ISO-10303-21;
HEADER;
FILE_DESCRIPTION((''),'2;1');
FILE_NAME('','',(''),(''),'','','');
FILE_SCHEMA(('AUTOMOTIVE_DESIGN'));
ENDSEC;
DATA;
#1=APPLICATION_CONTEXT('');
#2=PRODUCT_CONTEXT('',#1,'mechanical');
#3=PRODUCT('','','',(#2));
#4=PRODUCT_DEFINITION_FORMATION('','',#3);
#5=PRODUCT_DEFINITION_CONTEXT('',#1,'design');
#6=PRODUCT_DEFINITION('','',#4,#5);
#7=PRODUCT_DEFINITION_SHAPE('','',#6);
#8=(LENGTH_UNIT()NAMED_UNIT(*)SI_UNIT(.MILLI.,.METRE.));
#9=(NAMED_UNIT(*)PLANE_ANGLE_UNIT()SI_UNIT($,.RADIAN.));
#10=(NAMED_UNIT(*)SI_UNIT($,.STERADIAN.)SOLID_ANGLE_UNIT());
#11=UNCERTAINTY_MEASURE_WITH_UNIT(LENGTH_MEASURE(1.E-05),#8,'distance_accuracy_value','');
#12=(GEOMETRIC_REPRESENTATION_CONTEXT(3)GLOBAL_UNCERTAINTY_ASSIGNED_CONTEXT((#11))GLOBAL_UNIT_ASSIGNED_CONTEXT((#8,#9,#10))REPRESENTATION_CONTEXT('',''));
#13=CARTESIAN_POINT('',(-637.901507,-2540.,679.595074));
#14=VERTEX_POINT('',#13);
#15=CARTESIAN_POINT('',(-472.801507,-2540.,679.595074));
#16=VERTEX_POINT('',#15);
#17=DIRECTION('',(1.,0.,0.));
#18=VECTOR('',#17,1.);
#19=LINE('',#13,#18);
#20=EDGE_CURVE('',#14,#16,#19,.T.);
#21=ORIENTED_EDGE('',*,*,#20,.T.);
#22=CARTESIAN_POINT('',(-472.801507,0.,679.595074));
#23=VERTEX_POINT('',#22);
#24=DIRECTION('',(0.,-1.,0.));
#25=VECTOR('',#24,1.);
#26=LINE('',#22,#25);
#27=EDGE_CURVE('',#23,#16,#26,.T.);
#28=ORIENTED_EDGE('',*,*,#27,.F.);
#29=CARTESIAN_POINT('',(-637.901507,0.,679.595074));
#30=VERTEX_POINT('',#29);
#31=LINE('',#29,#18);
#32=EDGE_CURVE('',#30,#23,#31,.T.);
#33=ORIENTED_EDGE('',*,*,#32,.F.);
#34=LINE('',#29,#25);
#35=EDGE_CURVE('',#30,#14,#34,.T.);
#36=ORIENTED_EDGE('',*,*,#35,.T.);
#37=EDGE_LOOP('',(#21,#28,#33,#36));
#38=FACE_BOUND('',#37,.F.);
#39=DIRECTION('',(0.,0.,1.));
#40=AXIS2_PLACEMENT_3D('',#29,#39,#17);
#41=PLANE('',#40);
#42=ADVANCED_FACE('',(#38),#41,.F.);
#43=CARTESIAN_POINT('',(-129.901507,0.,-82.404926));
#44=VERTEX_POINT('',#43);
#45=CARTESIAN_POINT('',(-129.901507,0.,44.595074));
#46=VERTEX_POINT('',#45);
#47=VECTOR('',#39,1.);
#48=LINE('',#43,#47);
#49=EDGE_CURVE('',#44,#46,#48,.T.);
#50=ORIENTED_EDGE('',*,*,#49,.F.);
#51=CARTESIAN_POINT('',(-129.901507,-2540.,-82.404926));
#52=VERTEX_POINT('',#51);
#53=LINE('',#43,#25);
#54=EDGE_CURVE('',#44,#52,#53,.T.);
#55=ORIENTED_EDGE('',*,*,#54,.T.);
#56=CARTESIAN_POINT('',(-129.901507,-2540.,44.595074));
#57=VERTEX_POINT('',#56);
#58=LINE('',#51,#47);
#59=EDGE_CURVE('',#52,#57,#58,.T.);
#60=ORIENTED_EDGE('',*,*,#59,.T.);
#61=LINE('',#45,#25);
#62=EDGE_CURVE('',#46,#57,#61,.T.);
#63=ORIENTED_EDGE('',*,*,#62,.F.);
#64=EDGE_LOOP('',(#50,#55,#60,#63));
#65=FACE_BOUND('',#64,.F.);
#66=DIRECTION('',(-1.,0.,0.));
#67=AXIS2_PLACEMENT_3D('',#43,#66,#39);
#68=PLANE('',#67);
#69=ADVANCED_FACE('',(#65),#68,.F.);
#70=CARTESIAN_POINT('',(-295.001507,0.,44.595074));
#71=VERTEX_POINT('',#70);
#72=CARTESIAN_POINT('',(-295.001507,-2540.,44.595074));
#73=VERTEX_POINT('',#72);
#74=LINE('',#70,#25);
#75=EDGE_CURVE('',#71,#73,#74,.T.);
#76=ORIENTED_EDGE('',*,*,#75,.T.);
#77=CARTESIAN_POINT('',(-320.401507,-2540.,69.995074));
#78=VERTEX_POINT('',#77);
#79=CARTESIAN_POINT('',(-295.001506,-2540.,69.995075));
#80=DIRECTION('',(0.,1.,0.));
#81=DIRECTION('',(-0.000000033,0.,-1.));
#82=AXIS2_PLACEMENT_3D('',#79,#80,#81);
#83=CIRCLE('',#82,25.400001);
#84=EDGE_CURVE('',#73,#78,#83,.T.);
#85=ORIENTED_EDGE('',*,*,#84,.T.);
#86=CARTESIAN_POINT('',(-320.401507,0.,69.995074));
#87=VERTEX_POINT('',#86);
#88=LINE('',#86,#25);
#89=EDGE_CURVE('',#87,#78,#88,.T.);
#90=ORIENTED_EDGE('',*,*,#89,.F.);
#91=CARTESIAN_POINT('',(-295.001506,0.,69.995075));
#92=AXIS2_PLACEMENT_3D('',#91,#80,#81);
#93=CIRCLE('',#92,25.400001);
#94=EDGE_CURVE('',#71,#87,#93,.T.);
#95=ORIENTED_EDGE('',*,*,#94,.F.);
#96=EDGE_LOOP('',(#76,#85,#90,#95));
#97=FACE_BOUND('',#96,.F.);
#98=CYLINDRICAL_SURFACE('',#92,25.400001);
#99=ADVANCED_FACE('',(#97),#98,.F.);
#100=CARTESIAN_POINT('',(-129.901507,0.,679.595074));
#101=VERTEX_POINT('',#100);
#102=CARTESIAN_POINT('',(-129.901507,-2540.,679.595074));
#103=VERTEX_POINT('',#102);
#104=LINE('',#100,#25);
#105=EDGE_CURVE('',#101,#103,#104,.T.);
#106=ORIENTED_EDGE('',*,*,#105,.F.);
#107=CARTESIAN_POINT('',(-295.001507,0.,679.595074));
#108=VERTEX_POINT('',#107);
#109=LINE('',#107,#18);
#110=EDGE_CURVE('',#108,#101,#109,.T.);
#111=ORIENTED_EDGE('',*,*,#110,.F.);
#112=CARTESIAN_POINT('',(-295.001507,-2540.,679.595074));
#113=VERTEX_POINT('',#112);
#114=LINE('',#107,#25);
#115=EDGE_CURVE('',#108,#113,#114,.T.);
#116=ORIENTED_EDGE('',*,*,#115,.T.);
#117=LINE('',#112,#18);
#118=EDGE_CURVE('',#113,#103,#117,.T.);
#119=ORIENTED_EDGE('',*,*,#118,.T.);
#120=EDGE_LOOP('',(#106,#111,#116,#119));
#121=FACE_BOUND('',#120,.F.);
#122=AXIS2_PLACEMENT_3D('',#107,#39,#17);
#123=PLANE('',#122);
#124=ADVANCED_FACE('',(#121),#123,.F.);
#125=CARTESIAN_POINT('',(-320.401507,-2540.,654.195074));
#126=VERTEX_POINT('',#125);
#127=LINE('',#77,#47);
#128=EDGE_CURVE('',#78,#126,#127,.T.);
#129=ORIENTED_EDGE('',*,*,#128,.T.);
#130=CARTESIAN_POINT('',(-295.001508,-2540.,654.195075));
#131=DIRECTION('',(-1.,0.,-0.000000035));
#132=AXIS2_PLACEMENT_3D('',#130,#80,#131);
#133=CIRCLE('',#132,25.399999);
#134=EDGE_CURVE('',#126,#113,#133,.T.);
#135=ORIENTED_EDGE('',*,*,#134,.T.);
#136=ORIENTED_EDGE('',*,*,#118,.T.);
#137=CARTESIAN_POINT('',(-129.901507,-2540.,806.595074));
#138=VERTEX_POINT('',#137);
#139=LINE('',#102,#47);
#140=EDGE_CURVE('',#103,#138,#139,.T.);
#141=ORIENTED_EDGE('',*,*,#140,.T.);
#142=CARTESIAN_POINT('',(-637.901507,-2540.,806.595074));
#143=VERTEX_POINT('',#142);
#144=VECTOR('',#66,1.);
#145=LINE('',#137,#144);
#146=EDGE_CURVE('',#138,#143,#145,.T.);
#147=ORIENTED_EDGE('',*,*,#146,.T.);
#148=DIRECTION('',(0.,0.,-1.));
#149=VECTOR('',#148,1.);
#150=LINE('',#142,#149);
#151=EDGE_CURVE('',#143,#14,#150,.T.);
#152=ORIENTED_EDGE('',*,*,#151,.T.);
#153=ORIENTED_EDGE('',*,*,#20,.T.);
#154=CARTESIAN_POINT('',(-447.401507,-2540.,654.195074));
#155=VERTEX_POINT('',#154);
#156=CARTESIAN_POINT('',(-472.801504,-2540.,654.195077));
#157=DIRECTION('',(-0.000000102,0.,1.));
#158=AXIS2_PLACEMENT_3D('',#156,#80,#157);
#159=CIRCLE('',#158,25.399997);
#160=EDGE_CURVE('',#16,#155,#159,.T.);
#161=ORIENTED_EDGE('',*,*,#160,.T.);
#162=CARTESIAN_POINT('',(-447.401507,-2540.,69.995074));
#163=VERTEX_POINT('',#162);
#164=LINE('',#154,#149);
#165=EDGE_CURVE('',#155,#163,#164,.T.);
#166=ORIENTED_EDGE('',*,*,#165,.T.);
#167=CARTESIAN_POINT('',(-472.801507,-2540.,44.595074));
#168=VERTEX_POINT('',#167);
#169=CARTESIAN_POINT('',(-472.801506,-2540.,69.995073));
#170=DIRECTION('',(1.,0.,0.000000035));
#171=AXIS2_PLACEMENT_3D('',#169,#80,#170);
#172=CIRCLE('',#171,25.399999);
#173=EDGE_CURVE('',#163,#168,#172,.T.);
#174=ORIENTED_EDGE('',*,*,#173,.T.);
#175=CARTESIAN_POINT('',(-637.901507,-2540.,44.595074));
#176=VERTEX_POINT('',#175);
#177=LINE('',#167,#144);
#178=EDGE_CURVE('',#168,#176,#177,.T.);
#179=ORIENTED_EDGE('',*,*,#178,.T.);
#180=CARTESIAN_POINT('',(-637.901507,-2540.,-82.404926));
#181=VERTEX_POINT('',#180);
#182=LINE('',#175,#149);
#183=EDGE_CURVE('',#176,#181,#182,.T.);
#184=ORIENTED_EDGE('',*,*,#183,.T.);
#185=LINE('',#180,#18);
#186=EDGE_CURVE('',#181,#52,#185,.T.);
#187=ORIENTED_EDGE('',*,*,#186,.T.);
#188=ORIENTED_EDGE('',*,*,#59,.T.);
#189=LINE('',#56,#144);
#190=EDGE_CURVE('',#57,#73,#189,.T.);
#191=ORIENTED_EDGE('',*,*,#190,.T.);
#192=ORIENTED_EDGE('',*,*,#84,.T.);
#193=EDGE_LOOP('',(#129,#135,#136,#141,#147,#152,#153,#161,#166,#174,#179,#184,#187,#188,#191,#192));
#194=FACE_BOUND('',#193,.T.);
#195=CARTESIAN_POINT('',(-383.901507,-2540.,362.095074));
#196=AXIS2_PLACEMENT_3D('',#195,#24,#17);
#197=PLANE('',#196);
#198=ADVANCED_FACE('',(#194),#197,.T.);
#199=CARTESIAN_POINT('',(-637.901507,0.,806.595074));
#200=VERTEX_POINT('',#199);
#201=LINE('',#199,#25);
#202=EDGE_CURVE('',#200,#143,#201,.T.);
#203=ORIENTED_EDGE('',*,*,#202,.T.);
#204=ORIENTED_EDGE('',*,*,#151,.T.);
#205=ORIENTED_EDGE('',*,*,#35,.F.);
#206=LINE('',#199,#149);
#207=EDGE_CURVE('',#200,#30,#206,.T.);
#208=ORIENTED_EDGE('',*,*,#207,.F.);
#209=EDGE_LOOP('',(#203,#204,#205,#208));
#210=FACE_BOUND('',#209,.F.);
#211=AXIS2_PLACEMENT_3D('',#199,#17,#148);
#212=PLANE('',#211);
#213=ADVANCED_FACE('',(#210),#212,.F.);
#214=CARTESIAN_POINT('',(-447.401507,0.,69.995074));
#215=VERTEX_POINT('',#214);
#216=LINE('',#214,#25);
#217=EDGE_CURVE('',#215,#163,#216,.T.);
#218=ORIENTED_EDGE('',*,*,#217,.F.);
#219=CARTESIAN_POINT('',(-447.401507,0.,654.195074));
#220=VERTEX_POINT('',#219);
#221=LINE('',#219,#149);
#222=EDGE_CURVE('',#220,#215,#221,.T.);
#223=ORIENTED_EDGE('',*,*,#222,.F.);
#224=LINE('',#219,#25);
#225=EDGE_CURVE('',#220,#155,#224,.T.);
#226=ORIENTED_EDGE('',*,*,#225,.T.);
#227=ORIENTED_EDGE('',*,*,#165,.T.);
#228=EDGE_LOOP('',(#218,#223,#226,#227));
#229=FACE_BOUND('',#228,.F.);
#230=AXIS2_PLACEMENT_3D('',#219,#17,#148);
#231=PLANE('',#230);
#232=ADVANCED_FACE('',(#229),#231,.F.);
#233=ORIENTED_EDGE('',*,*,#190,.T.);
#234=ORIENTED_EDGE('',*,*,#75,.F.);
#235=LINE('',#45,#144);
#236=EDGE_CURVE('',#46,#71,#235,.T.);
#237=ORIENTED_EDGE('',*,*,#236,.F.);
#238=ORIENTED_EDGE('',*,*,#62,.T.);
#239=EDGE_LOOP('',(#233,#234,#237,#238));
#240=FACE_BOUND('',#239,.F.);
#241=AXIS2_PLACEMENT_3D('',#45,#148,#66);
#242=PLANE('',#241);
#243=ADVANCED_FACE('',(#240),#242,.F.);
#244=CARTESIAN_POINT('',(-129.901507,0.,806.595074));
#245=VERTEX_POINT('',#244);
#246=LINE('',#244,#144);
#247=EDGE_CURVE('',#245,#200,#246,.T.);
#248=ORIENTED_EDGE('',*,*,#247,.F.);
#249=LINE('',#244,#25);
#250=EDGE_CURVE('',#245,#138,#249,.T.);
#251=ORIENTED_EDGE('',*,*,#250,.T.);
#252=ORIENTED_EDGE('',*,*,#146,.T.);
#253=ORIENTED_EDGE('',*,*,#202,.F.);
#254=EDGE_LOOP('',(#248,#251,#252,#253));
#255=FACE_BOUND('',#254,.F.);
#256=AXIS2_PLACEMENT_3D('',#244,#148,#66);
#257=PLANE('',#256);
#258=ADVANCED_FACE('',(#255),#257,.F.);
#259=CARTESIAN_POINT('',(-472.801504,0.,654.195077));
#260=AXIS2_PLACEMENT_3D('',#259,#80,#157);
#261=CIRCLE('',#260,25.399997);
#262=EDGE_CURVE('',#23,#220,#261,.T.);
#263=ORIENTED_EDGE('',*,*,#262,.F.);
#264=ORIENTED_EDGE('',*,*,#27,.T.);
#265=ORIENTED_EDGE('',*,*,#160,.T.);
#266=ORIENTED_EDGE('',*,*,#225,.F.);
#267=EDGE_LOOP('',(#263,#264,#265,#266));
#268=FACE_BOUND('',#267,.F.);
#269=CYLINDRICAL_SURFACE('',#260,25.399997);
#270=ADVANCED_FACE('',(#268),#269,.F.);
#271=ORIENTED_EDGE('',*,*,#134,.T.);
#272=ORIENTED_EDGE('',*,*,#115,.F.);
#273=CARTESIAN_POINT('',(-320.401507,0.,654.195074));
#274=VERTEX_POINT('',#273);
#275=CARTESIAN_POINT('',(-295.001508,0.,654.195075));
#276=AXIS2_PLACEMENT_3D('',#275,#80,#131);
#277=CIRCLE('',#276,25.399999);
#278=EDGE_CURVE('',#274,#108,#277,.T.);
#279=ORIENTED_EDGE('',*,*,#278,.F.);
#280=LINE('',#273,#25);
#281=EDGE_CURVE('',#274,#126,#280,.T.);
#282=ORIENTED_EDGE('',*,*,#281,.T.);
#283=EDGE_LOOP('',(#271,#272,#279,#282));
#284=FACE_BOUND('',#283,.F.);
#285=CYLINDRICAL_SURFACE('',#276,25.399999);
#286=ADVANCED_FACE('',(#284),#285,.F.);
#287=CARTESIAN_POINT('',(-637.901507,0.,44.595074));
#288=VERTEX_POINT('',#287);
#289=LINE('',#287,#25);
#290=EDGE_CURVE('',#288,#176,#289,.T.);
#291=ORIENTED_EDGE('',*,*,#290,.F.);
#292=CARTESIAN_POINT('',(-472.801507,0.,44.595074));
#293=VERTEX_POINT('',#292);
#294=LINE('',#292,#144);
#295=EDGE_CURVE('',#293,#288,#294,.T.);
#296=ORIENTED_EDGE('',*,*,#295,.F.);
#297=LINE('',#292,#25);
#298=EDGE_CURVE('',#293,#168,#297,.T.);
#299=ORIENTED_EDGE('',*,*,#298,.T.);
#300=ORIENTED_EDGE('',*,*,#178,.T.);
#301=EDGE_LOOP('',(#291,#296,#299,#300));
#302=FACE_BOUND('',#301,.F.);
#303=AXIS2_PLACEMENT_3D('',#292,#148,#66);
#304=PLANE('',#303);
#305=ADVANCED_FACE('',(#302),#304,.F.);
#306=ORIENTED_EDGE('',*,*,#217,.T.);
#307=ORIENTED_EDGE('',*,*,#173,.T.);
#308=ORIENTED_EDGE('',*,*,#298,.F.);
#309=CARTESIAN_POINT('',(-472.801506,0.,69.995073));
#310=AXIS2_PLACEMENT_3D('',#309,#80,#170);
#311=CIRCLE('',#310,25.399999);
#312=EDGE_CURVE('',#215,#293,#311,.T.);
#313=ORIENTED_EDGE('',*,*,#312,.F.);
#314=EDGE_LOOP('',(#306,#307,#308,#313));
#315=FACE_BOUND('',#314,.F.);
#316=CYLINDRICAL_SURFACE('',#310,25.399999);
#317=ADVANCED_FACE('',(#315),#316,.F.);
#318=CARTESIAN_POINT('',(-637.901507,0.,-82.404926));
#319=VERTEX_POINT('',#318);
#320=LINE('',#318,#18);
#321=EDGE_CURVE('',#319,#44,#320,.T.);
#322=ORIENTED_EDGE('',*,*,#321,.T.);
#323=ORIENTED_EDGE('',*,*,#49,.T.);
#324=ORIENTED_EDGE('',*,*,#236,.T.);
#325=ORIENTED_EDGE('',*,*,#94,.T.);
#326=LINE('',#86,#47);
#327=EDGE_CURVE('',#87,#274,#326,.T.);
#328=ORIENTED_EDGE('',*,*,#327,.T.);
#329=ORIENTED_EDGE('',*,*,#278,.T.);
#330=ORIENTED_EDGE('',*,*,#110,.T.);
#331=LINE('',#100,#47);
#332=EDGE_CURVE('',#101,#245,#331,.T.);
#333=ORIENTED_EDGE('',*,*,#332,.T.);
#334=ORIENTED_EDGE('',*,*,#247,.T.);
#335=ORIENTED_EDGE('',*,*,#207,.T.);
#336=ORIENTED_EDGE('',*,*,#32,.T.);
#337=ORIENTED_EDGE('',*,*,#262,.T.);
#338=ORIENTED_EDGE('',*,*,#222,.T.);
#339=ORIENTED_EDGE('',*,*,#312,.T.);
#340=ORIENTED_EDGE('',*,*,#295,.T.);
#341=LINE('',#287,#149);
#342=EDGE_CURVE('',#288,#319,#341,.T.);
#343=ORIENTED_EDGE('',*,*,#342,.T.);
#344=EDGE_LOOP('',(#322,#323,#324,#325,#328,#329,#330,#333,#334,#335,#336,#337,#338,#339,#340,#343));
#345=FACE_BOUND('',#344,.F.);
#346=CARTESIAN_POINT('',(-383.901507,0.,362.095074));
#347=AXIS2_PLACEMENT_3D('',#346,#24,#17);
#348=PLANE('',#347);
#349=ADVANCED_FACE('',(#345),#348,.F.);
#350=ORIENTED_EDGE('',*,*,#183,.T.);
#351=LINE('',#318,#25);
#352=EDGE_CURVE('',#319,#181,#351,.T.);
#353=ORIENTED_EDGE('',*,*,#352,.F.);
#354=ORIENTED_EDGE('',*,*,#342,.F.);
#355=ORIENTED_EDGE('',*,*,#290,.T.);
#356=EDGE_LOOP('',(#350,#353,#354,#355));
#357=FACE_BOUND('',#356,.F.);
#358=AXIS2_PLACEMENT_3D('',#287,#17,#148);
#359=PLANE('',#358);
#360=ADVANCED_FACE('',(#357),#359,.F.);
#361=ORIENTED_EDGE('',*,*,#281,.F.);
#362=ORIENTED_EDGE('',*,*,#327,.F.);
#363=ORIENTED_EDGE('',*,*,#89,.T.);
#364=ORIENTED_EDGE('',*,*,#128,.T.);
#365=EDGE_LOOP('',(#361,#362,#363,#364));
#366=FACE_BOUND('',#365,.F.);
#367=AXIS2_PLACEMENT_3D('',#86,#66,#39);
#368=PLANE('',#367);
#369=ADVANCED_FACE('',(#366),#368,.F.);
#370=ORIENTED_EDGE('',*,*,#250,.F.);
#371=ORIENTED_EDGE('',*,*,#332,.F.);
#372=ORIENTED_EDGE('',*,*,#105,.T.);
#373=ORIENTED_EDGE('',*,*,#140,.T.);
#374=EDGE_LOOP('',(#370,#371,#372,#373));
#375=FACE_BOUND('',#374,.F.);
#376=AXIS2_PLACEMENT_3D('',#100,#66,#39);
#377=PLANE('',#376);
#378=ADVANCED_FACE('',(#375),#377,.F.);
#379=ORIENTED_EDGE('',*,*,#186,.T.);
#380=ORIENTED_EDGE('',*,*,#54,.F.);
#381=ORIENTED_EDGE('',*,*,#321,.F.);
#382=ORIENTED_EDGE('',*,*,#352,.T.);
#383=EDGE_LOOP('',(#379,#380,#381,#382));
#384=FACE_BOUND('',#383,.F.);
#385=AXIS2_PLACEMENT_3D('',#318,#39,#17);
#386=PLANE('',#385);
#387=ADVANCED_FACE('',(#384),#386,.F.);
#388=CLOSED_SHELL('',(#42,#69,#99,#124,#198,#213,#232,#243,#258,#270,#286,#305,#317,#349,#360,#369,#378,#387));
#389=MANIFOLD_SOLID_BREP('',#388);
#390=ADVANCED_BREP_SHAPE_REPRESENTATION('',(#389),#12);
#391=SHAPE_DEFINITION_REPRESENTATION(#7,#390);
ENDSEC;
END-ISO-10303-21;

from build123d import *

# Parameters (mm, degrees)
F1_DEPTH = 2540


with BuildPart() as f1:
    # F0 (on Front) → F1 (new body)
    with BuildSketch(Plane.XZ):
        with BuildLine():
            Line((-637.901507, -82.404926), (-129.901507, -82.404926))
            Line((-129.901507, -82.404926), (-129.901507, 44.595074))
            Line((-129.901507, 44.595074), (-295.001507, 44.595074))
            ThreePointArc((-295.001507, 44.595074), (-312.962019, 52.034562), (-320.401507, 69.995074))
            Line((-320.401507, 69.995074), (-320.401507, 654.195074))
            ThreePointArc((-320.401507, 654.195074), (-312.962019, 672.155587), (-295.001507, 679.595074))
            Line((-295.001507, 679.595074), (-129.901507, 679.595074))
            Line((-129.901507, 679.595074), (-129.901507, 806.595074))
            Line((-129.901507, 806.595074), (-637.901507, 806.595074))
            Line((-637.901507, 806.595074), (-637.901507, 679.595074))
            Line((-637.901507, 679.595074), (-472.801507, 679.595074))
            ThreePointArc((-472.801507, 679.595074), (-454.840994, 672.155587), (-447.401507, 654.195074))
            Line((-447.401507, 654.195074), (-447.401507, 69.995074))
            ThreePointArc((-447.401507, 69.995074), (-454.840994, 52.034562), (-472.801507, 44.595074))
            Line((-472.801507, 44.595074), (-637.901507, 44.595074))
            Line((-637.901507, 44.595074), (-637.901507, -82.404926))
        make_face()
    extrude(amount=F1_DEPTH)


solid = f1.part
